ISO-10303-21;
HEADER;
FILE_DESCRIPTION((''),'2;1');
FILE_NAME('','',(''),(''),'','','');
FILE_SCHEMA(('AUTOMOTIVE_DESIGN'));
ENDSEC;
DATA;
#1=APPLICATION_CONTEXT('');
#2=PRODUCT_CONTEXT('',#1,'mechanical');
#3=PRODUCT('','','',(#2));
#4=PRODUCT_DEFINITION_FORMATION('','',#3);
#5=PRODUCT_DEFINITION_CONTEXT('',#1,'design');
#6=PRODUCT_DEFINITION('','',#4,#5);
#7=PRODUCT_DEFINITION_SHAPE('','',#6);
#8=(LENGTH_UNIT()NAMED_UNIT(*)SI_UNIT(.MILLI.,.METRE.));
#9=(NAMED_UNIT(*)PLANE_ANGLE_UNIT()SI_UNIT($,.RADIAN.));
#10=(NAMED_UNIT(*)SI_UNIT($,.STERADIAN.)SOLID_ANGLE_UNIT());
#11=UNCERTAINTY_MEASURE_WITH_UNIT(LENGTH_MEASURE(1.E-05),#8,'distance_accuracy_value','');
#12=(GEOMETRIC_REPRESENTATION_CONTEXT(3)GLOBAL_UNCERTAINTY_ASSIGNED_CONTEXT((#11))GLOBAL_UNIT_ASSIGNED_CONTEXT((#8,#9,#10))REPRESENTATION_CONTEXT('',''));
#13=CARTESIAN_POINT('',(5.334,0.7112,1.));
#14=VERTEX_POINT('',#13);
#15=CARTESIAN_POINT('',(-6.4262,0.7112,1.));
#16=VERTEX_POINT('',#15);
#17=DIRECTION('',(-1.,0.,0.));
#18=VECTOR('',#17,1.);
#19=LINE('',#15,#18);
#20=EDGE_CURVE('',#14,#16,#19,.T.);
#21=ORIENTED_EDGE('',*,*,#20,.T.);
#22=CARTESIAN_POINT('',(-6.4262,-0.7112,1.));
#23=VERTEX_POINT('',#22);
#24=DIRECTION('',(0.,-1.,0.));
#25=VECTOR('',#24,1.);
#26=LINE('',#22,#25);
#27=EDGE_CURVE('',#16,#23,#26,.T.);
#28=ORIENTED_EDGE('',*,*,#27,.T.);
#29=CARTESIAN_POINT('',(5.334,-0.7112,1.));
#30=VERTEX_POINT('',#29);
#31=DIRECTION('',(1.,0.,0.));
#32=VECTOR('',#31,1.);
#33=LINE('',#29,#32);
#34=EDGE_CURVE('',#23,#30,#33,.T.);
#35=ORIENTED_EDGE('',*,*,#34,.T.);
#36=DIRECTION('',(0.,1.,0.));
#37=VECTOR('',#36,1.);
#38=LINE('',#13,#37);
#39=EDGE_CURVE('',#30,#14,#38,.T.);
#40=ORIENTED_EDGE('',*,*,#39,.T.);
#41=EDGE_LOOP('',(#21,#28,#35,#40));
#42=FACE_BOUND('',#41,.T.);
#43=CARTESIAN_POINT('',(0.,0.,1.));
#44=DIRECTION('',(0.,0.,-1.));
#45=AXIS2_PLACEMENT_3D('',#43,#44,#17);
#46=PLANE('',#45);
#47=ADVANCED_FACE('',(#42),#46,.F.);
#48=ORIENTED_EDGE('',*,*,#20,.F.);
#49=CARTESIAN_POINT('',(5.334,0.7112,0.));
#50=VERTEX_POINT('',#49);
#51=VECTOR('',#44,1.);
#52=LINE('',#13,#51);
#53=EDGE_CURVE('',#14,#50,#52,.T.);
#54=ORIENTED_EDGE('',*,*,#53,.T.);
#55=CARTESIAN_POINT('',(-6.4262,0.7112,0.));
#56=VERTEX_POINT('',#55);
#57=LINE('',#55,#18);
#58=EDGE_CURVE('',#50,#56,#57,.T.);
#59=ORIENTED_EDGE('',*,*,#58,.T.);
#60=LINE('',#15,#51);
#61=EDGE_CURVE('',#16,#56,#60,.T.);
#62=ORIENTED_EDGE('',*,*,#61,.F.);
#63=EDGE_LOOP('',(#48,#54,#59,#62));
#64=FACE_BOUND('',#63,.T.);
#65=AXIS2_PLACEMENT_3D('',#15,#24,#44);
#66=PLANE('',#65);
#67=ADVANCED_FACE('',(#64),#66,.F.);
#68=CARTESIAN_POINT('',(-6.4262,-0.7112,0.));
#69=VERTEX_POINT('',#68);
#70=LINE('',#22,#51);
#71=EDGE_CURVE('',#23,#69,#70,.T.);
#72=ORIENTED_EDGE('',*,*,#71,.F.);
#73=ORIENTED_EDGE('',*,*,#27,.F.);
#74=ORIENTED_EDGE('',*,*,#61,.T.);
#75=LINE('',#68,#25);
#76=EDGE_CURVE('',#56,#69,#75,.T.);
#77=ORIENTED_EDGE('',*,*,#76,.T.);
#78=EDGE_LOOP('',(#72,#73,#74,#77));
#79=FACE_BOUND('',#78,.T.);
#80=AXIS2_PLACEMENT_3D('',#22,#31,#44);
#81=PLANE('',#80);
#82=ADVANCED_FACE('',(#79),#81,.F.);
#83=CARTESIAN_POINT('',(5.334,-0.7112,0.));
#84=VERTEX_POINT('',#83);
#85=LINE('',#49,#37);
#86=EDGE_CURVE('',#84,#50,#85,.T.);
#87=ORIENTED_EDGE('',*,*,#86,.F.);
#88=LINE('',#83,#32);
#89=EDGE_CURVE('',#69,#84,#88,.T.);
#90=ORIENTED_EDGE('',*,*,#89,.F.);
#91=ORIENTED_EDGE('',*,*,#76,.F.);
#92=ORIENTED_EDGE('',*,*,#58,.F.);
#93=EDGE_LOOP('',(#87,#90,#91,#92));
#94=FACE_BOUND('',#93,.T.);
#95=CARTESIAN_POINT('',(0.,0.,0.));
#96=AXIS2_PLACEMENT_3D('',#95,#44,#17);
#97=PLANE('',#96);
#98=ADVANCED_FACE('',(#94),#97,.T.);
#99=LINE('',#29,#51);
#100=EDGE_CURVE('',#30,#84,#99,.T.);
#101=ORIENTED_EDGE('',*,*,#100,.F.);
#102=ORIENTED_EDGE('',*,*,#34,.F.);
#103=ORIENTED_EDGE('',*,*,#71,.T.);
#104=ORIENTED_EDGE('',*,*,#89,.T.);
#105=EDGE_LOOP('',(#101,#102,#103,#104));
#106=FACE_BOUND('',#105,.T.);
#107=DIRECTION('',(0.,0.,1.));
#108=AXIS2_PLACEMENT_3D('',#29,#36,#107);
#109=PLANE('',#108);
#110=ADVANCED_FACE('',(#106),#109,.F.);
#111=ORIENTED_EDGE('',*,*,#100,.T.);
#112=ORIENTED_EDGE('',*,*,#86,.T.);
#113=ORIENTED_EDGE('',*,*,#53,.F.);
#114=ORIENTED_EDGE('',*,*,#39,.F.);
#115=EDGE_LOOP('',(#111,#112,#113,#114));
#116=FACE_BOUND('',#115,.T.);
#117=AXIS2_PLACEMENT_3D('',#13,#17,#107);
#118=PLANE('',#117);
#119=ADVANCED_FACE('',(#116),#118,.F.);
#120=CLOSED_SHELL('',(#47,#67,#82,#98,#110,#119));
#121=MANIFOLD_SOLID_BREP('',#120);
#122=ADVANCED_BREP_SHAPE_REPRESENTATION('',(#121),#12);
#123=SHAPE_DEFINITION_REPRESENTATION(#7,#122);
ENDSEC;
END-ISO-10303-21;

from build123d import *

# Parameters (mm, degrees)
SKETCH1_W               = 11.7602
SKETCH1_H               = 1.4224
COMPONENT_OUTLINE_DEPTH = 1


with BuildPart() as part:
    # Sketch1 → Component_Outline (new body)
    with BuildSketch(Plane.XY):
        with Locations((-0.5461, 0)):
            Rectangle(SKETCH1_W, SKETCH1_H)
    extrude(amount=COMPONENT_OUTLINE_DEPTH)


solid = part.part
